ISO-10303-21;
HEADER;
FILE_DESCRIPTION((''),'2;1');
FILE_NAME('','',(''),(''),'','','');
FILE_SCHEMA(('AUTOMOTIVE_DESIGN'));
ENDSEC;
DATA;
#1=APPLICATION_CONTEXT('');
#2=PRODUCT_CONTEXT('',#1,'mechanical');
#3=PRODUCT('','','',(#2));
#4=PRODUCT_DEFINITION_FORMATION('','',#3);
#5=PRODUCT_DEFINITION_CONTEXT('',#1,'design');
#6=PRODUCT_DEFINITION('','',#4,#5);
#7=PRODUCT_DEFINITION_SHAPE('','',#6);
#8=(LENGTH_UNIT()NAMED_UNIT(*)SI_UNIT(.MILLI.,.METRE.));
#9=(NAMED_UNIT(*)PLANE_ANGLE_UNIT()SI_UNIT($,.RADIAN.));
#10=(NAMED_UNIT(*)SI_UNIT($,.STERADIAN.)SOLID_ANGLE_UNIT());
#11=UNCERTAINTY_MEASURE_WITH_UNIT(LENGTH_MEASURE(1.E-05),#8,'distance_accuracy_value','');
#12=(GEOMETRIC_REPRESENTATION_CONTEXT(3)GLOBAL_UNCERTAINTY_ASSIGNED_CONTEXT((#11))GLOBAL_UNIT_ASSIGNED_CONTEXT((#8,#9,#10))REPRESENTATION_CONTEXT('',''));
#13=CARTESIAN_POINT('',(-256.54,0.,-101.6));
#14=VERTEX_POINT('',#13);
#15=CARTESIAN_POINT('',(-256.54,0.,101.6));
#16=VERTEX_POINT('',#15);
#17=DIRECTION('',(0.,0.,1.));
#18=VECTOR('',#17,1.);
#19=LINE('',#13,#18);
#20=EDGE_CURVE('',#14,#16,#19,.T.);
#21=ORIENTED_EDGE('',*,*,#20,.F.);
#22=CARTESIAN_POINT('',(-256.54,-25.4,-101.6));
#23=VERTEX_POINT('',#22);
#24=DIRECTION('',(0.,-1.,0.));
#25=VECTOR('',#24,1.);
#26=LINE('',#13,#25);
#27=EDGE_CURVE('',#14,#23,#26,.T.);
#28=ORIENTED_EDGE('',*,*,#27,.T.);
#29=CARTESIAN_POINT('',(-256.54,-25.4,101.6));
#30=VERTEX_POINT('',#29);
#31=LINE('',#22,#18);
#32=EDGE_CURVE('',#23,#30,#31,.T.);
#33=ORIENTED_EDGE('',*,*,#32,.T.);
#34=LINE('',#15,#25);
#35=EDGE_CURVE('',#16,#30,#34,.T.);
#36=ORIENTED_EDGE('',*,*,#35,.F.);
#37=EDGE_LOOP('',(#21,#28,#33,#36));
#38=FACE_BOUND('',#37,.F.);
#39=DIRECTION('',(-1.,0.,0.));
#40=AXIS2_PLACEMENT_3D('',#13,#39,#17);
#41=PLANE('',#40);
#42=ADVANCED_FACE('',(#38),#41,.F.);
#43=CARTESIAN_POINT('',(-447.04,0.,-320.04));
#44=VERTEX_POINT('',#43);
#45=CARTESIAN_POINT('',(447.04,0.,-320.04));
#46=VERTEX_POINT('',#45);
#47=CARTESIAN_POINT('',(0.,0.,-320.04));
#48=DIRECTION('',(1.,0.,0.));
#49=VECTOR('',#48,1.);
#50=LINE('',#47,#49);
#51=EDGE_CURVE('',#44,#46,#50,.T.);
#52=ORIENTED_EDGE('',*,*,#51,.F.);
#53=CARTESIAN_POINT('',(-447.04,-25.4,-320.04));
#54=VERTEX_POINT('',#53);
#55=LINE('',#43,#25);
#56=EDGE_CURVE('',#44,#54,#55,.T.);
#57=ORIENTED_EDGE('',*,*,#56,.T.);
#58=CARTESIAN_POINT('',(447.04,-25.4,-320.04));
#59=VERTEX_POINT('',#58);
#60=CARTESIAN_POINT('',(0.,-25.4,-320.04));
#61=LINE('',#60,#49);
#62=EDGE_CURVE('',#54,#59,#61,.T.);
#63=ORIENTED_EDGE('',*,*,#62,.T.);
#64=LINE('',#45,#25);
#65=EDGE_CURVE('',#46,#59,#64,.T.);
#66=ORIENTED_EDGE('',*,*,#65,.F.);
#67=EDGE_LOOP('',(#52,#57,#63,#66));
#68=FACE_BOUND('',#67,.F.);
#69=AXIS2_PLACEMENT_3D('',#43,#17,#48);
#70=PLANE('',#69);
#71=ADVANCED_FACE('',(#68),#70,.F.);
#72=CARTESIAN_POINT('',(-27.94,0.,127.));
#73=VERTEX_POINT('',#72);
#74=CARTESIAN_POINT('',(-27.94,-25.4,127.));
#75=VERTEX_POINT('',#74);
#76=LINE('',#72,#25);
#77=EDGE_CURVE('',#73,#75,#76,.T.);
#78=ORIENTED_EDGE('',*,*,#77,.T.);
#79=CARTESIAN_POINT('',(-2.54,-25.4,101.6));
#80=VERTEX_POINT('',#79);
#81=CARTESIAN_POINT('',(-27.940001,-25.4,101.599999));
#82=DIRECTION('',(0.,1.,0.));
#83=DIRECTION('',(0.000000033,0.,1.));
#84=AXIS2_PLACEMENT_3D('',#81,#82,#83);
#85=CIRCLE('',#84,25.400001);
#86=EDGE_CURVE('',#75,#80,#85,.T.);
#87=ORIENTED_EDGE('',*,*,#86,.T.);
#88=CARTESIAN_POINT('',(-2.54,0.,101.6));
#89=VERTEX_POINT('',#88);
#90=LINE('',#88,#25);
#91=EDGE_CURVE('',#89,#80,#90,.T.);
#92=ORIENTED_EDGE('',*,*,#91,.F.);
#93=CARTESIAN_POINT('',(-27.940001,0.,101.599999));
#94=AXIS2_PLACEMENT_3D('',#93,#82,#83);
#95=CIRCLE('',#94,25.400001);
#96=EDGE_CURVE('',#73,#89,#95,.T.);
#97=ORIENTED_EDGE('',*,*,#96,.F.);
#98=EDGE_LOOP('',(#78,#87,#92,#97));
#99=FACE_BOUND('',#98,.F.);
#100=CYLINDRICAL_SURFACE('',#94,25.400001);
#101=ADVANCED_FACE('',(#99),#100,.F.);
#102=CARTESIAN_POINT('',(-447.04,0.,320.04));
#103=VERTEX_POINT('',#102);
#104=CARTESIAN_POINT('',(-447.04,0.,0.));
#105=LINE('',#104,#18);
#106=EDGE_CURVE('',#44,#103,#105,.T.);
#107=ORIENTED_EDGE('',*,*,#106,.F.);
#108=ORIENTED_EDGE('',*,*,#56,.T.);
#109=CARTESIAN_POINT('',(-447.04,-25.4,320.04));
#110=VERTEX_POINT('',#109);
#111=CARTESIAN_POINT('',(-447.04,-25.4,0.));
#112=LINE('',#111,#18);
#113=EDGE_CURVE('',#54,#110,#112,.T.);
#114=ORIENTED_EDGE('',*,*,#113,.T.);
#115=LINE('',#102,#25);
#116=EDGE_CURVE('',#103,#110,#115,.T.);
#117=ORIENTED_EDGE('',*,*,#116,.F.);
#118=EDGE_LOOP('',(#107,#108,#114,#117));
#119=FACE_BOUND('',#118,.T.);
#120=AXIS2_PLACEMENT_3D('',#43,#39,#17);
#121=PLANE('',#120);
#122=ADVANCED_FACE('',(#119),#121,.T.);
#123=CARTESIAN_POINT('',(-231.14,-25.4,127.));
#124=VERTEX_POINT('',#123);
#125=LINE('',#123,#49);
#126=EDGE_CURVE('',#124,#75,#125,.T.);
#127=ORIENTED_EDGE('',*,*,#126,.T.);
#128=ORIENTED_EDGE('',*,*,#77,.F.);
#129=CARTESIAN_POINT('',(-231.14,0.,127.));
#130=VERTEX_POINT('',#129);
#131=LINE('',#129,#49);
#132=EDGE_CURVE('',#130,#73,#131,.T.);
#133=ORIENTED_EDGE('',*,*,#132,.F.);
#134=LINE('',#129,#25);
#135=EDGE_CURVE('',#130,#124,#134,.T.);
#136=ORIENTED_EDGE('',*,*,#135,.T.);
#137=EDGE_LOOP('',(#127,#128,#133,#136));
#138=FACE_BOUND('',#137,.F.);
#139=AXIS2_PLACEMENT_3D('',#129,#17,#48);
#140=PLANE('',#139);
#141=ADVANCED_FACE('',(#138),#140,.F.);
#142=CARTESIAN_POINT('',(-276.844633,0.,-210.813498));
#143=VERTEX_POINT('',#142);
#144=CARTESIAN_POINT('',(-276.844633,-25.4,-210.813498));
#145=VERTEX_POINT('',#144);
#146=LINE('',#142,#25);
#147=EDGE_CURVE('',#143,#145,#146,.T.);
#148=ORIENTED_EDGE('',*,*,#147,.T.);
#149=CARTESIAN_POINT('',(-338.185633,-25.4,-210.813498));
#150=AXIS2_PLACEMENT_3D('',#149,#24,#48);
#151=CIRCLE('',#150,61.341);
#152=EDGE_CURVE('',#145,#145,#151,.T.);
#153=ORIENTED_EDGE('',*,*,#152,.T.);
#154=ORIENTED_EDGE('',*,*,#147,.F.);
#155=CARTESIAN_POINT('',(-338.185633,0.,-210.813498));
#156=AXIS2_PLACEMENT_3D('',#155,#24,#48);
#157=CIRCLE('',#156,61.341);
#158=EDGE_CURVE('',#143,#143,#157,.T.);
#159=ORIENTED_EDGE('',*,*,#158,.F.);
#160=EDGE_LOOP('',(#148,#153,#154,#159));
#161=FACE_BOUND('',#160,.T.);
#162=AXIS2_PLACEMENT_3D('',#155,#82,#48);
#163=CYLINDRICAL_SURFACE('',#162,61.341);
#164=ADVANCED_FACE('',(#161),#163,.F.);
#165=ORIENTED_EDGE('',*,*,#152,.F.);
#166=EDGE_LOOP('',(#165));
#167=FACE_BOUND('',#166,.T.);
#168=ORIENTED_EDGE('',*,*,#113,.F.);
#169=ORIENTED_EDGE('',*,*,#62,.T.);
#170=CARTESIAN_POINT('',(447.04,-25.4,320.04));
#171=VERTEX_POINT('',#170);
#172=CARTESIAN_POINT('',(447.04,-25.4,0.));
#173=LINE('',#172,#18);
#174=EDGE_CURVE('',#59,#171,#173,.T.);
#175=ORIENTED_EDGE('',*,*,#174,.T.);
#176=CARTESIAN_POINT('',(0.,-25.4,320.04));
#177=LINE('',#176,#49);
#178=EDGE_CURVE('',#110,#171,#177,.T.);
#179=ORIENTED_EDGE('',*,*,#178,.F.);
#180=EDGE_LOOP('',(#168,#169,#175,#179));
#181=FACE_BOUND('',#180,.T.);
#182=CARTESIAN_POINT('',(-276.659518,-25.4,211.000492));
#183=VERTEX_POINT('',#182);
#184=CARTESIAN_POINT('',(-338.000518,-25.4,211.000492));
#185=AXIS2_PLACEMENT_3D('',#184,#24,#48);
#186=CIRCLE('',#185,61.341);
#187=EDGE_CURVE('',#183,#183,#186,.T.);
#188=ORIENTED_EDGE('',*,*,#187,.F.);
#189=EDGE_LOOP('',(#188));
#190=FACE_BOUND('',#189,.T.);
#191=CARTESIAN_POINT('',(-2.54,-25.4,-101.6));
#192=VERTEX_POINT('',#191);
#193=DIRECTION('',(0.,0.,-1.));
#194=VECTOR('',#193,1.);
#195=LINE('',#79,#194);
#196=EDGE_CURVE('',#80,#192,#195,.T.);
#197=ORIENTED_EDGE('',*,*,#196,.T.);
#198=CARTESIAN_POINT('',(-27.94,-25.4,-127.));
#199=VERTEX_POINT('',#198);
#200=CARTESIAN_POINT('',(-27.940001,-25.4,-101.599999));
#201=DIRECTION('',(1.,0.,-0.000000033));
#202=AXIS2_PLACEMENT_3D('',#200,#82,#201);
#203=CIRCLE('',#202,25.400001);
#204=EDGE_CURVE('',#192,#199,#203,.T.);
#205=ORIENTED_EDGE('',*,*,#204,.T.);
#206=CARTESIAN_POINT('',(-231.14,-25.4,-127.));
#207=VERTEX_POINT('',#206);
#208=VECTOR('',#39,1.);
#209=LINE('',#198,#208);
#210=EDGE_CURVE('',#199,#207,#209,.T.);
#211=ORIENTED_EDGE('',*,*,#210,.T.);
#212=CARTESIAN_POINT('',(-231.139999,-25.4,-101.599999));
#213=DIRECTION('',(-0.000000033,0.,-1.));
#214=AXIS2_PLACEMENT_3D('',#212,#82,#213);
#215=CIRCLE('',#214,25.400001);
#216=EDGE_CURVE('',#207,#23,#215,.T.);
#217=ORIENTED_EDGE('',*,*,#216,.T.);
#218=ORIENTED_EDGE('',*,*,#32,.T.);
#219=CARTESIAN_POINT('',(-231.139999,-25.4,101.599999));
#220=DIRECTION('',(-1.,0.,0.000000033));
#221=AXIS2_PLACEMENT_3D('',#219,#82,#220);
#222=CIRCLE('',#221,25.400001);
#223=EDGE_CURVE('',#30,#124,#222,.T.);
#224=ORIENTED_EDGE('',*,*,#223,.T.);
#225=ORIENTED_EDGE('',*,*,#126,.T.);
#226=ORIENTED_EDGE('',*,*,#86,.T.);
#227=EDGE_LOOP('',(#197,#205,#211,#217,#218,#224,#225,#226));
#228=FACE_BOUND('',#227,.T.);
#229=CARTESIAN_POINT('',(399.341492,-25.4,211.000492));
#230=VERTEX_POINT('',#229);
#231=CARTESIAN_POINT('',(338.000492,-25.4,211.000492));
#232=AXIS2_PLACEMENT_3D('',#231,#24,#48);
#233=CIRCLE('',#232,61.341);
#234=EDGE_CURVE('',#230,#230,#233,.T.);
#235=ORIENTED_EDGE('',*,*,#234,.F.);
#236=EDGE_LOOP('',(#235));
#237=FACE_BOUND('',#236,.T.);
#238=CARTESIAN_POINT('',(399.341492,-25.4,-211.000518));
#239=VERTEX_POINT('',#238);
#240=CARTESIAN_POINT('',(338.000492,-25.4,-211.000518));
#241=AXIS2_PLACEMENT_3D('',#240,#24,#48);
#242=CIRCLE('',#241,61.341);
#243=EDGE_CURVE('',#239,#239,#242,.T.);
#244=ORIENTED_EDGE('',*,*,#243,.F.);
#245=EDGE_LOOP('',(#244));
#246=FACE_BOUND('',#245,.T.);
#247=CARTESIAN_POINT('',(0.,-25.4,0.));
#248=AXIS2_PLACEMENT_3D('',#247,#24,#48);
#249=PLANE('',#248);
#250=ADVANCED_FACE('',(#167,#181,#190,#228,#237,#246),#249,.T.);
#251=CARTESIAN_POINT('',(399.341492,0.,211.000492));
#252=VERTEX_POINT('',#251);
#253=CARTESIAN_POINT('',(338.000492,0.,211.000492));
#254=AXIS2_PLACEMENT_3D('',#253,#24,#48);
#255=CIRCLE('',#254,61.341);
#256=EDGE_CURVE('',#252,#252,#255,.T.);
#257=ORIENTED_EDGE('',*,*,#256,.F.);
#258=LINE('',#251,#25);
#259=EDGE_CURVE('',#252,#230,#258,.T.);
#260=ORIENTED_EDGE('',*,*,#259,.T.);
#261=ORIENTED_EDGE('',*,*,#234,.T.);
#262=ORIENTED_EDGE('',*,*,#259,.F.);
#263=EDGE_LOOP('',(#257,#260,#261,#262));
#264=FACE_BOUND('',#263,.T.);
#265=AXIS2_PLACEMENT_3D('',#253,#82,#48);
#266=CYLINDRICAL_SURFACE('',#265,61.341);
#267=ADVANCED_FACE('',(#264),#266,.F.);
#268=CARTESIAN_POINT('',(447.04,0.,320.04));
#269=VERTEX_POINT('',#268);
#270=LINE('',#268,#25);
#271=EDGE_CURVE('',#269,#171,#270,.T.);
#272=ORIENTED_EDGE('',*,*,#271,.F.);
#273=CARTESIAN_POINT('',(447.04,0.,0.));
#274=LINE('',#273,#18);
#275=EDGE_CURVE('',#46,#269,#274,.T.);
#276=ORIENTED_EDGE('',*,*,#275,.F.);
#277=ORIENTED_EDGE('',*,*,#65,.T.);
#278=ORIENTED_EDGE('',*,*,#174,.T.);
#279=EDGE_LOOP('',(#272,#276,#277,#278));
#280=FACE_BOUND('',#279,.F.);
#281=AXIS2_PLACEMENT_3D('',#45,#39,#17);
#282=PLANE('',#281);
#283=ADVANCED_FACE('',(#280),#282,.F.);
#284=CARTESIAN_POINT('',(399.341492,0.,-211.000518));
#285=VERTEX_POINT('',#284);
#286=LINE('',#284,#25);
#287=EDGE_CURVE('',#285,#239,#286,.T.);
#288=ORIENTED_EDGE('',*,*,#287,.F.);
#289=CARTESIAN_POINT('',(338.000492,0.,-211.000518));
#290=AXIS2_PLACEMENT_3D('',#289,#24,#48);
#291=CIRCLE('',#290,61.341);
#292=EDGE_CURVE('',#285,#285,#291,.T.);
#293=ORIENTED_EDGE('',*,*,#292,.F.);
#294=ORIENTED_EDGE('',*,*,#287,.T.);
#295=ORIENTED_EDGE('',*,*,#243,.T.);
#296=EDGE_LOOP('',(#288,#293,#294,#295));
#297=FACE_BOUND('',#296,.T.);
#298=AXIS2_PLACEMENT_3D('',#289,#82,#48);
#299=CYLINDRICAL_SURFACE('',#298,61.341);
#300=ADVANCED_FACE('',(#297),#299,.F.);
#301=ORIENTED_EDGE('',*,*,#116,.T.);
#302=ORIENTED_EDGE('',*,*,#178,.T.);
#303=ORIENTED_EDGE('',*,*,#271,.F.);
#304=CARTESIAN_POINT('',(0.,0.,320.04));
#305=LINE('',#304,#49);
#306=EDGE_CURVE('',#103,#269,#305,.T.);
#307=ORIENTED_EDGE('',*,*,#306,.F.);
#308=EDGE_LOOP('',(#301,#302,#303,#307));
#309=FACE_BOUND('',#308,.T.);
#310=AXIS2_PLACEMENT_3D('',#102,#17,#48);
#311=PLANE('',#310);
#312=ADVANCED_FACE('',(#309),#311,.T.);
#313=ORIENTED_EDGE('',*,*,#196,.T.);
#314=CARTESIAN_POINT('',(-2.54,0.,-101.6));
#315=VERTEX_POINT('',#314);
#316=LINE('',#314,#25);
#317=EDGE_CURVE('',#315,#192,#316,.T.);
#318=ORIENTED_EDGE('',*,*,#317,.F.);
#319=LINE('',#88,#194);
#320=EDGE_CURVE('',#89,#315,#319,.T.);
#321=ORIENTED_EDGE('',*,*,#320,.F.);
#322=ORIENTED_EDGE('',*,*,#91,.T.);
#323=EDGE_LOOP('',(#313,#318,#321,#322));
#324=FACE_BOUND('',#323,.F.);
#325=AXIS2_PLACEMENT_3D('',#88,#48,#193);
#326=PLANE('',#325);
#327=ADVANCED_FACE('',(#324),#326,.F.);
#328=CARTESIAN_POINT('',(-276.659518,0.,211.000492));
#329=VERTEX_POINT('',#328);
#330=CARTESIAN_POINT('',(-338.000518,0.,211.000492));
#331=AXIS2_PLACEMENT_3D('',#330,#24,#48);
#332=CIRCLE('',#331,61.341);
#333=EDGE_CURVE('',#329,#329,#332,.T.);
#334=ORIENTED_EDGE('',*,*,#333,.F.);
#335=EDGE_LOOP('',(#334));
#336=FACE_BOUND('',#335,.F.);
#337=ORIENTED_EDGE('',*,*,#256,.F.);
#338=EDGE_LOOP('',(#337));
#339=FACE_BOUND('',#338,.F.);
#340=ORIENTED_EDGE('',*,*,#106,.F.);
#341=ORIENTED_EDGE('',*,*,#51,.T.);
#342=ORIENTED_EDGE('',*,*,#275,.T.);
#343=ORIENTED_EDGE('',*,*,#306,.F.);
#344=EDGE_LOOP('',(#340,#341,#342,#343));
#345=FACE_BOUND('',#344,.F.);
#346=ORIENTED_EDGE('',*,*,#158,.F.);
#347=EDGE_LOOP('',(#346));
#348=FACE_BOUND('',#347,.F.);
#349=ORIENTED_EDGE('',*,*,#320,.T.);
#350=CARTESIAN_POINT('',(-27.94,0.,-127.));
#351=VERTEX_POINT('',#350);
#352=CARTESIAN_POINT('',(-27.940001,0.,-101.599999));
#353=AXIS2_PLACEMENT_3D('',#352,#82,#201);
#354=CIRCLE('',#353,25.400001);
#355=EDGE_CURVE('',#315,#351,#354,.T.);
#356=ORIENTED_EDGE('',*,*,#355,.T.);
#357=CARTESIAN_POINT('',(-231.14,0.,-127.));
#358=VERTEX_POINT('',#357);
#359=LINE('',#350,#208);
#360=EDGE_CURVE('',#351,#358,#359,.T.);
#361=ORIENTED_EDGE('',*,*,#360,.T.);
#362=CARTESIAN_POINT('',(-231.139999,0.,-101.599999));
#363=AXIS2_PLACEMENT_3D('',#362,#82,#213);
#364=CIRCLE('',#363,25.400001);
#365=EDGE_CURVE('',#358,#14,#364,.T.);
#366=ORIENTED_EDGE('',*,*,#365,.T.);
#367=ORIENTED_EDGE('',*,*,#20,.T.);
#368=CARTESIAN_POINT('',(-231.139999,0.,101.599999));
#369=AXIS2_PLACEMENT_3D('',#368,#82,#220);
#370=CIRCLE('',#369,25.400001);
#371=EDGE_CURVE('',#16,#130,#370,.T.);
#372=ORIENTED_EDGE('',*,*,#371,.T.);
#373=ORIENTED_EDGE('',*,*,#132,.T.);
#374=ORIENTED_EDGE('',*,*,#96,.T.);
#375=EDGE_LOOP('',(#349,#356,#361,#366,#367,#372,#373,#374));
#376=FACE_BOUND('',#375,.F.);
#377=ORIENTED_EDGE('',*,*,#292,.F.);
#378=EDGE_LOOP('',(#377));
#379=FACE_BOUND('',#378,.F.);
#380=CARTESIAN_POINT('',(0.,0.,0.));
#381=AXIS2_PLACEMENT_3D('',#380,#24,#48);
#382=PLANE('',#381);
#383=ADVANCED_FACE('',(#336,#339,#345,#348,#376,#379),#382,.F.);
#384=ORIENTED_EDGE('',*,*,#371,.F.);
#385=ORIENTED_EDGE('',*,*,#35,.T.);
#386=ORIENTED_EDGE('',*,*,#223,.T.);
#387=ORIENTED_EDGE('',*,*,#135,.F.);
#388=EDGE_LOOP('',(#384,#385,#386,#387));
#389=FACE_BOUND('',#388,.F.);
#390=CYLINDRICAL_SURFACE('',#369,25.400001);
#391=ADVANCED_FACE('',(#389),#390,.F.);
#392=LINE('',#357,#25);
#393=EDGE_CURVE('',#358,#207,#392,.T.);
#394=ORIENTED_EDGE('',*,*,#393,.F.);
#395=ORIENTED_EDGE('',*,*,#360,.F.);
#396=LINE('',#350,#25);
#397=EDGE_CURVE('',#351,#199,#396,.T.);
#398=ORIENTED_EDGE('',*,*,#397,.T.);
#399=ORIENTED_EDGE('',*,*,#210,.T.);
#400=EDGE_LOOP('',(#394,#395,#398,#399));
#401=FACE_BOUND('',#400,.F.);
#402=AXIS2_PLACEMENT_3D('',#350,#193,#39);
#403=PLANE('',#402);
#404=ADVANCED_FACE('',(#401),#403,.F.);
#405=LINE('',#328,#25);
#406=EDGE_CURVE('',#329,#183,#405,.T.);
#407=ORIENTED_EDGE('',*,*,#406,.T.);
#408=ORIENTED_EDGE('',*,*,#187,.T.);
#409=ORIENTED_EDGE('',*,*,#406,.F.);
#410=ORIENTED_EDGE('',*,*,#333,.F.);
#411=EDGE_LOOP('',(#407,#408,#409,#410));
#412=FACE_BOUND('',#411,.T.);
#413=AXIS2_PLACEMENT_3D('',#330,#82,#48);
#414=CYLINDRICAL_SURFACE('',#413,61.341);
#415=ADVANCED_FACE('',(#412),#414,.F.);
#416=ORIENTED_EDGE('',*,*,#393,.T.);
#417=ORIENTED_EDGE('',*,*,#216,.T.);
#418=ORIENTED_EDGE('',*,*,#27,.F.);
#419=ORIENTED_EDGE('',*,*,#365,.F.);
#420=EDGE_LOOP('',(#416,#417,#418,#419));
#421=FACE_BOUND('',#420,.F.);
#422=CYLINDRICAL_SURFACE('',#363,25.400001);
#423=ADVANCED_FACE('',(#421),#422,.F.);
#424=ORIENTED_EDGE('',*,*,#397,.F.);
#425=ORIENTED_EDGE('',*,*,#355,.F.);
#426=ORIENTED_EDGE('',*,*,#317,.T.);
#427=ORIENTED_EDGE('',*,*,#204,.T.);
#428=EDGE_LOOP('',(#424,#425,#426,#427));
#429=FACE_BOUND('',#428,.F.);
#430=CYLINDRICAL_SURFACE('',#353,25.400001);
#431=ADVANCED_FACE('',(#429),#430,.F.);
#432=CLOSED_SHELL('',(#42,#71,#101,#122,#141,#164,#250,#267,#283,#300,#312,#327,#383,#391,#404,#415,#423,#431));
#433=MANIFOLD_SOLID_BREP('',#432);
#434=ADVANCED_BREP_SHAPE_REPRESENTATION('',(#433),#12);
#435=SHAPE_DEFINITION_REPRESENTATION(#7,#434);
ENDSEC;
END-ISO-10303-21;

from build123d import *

# Parameters (mm, degrees)
F0_W     = 894.08
F0_H     = 640.08
F0_R     = 61.341
F1_DEPTH = 25.4


with BuildPart() as f1:
    # F0 (on Front) → F1 (new body)
    with BuildSketch(Plane.XZ):
        Rectangle(F0_W, F0_H)
        with Locations((-338.185633, -210.813498)):
            Circle(F0_R, mode=Mode.SUBTRACT)
        with Locations((338.000492, -211.000518)):
            Circle(F0_R, mode=Mode.SUBTRACT)
        with BuildLine():
            ThreePointArc((-27.94, 127), (-9.979488, 119.560512), (-2.54, 101.6))
            Line((-2.54, 101.6), (-2.54, -101.6))
            ThreePointArc((-2.54, -101.6), (-9.979488, -119.560512), (-27.94, -127))
            Line((-27.94, -127), (-231.14, -127))
            ThreePointArc((-231.14, -127), (-249.100512, -119.560512), (-256.54, -101.6))
            Line((-256.54, -101.6), (-256.54, 101.6))
            ThreePointArc((-256.54, 101.6), (-249.100512, 119.560512), (-231.14, 127))
            Line((-231.14, 127), (-27.94, 127))
        make_face(mode=Mode.SUBTRACT)
        with Locations((-338.000518, 211.000492)):
            Circle(F0_R, mode=Mode.SUBTRACT)
        with Locations((338.000492, 211.000492)):
            Circle(F0_R, mode=Mode.SUBTRACT)
    extrude(amount=F1_DEPTH)


solid = f1.part
